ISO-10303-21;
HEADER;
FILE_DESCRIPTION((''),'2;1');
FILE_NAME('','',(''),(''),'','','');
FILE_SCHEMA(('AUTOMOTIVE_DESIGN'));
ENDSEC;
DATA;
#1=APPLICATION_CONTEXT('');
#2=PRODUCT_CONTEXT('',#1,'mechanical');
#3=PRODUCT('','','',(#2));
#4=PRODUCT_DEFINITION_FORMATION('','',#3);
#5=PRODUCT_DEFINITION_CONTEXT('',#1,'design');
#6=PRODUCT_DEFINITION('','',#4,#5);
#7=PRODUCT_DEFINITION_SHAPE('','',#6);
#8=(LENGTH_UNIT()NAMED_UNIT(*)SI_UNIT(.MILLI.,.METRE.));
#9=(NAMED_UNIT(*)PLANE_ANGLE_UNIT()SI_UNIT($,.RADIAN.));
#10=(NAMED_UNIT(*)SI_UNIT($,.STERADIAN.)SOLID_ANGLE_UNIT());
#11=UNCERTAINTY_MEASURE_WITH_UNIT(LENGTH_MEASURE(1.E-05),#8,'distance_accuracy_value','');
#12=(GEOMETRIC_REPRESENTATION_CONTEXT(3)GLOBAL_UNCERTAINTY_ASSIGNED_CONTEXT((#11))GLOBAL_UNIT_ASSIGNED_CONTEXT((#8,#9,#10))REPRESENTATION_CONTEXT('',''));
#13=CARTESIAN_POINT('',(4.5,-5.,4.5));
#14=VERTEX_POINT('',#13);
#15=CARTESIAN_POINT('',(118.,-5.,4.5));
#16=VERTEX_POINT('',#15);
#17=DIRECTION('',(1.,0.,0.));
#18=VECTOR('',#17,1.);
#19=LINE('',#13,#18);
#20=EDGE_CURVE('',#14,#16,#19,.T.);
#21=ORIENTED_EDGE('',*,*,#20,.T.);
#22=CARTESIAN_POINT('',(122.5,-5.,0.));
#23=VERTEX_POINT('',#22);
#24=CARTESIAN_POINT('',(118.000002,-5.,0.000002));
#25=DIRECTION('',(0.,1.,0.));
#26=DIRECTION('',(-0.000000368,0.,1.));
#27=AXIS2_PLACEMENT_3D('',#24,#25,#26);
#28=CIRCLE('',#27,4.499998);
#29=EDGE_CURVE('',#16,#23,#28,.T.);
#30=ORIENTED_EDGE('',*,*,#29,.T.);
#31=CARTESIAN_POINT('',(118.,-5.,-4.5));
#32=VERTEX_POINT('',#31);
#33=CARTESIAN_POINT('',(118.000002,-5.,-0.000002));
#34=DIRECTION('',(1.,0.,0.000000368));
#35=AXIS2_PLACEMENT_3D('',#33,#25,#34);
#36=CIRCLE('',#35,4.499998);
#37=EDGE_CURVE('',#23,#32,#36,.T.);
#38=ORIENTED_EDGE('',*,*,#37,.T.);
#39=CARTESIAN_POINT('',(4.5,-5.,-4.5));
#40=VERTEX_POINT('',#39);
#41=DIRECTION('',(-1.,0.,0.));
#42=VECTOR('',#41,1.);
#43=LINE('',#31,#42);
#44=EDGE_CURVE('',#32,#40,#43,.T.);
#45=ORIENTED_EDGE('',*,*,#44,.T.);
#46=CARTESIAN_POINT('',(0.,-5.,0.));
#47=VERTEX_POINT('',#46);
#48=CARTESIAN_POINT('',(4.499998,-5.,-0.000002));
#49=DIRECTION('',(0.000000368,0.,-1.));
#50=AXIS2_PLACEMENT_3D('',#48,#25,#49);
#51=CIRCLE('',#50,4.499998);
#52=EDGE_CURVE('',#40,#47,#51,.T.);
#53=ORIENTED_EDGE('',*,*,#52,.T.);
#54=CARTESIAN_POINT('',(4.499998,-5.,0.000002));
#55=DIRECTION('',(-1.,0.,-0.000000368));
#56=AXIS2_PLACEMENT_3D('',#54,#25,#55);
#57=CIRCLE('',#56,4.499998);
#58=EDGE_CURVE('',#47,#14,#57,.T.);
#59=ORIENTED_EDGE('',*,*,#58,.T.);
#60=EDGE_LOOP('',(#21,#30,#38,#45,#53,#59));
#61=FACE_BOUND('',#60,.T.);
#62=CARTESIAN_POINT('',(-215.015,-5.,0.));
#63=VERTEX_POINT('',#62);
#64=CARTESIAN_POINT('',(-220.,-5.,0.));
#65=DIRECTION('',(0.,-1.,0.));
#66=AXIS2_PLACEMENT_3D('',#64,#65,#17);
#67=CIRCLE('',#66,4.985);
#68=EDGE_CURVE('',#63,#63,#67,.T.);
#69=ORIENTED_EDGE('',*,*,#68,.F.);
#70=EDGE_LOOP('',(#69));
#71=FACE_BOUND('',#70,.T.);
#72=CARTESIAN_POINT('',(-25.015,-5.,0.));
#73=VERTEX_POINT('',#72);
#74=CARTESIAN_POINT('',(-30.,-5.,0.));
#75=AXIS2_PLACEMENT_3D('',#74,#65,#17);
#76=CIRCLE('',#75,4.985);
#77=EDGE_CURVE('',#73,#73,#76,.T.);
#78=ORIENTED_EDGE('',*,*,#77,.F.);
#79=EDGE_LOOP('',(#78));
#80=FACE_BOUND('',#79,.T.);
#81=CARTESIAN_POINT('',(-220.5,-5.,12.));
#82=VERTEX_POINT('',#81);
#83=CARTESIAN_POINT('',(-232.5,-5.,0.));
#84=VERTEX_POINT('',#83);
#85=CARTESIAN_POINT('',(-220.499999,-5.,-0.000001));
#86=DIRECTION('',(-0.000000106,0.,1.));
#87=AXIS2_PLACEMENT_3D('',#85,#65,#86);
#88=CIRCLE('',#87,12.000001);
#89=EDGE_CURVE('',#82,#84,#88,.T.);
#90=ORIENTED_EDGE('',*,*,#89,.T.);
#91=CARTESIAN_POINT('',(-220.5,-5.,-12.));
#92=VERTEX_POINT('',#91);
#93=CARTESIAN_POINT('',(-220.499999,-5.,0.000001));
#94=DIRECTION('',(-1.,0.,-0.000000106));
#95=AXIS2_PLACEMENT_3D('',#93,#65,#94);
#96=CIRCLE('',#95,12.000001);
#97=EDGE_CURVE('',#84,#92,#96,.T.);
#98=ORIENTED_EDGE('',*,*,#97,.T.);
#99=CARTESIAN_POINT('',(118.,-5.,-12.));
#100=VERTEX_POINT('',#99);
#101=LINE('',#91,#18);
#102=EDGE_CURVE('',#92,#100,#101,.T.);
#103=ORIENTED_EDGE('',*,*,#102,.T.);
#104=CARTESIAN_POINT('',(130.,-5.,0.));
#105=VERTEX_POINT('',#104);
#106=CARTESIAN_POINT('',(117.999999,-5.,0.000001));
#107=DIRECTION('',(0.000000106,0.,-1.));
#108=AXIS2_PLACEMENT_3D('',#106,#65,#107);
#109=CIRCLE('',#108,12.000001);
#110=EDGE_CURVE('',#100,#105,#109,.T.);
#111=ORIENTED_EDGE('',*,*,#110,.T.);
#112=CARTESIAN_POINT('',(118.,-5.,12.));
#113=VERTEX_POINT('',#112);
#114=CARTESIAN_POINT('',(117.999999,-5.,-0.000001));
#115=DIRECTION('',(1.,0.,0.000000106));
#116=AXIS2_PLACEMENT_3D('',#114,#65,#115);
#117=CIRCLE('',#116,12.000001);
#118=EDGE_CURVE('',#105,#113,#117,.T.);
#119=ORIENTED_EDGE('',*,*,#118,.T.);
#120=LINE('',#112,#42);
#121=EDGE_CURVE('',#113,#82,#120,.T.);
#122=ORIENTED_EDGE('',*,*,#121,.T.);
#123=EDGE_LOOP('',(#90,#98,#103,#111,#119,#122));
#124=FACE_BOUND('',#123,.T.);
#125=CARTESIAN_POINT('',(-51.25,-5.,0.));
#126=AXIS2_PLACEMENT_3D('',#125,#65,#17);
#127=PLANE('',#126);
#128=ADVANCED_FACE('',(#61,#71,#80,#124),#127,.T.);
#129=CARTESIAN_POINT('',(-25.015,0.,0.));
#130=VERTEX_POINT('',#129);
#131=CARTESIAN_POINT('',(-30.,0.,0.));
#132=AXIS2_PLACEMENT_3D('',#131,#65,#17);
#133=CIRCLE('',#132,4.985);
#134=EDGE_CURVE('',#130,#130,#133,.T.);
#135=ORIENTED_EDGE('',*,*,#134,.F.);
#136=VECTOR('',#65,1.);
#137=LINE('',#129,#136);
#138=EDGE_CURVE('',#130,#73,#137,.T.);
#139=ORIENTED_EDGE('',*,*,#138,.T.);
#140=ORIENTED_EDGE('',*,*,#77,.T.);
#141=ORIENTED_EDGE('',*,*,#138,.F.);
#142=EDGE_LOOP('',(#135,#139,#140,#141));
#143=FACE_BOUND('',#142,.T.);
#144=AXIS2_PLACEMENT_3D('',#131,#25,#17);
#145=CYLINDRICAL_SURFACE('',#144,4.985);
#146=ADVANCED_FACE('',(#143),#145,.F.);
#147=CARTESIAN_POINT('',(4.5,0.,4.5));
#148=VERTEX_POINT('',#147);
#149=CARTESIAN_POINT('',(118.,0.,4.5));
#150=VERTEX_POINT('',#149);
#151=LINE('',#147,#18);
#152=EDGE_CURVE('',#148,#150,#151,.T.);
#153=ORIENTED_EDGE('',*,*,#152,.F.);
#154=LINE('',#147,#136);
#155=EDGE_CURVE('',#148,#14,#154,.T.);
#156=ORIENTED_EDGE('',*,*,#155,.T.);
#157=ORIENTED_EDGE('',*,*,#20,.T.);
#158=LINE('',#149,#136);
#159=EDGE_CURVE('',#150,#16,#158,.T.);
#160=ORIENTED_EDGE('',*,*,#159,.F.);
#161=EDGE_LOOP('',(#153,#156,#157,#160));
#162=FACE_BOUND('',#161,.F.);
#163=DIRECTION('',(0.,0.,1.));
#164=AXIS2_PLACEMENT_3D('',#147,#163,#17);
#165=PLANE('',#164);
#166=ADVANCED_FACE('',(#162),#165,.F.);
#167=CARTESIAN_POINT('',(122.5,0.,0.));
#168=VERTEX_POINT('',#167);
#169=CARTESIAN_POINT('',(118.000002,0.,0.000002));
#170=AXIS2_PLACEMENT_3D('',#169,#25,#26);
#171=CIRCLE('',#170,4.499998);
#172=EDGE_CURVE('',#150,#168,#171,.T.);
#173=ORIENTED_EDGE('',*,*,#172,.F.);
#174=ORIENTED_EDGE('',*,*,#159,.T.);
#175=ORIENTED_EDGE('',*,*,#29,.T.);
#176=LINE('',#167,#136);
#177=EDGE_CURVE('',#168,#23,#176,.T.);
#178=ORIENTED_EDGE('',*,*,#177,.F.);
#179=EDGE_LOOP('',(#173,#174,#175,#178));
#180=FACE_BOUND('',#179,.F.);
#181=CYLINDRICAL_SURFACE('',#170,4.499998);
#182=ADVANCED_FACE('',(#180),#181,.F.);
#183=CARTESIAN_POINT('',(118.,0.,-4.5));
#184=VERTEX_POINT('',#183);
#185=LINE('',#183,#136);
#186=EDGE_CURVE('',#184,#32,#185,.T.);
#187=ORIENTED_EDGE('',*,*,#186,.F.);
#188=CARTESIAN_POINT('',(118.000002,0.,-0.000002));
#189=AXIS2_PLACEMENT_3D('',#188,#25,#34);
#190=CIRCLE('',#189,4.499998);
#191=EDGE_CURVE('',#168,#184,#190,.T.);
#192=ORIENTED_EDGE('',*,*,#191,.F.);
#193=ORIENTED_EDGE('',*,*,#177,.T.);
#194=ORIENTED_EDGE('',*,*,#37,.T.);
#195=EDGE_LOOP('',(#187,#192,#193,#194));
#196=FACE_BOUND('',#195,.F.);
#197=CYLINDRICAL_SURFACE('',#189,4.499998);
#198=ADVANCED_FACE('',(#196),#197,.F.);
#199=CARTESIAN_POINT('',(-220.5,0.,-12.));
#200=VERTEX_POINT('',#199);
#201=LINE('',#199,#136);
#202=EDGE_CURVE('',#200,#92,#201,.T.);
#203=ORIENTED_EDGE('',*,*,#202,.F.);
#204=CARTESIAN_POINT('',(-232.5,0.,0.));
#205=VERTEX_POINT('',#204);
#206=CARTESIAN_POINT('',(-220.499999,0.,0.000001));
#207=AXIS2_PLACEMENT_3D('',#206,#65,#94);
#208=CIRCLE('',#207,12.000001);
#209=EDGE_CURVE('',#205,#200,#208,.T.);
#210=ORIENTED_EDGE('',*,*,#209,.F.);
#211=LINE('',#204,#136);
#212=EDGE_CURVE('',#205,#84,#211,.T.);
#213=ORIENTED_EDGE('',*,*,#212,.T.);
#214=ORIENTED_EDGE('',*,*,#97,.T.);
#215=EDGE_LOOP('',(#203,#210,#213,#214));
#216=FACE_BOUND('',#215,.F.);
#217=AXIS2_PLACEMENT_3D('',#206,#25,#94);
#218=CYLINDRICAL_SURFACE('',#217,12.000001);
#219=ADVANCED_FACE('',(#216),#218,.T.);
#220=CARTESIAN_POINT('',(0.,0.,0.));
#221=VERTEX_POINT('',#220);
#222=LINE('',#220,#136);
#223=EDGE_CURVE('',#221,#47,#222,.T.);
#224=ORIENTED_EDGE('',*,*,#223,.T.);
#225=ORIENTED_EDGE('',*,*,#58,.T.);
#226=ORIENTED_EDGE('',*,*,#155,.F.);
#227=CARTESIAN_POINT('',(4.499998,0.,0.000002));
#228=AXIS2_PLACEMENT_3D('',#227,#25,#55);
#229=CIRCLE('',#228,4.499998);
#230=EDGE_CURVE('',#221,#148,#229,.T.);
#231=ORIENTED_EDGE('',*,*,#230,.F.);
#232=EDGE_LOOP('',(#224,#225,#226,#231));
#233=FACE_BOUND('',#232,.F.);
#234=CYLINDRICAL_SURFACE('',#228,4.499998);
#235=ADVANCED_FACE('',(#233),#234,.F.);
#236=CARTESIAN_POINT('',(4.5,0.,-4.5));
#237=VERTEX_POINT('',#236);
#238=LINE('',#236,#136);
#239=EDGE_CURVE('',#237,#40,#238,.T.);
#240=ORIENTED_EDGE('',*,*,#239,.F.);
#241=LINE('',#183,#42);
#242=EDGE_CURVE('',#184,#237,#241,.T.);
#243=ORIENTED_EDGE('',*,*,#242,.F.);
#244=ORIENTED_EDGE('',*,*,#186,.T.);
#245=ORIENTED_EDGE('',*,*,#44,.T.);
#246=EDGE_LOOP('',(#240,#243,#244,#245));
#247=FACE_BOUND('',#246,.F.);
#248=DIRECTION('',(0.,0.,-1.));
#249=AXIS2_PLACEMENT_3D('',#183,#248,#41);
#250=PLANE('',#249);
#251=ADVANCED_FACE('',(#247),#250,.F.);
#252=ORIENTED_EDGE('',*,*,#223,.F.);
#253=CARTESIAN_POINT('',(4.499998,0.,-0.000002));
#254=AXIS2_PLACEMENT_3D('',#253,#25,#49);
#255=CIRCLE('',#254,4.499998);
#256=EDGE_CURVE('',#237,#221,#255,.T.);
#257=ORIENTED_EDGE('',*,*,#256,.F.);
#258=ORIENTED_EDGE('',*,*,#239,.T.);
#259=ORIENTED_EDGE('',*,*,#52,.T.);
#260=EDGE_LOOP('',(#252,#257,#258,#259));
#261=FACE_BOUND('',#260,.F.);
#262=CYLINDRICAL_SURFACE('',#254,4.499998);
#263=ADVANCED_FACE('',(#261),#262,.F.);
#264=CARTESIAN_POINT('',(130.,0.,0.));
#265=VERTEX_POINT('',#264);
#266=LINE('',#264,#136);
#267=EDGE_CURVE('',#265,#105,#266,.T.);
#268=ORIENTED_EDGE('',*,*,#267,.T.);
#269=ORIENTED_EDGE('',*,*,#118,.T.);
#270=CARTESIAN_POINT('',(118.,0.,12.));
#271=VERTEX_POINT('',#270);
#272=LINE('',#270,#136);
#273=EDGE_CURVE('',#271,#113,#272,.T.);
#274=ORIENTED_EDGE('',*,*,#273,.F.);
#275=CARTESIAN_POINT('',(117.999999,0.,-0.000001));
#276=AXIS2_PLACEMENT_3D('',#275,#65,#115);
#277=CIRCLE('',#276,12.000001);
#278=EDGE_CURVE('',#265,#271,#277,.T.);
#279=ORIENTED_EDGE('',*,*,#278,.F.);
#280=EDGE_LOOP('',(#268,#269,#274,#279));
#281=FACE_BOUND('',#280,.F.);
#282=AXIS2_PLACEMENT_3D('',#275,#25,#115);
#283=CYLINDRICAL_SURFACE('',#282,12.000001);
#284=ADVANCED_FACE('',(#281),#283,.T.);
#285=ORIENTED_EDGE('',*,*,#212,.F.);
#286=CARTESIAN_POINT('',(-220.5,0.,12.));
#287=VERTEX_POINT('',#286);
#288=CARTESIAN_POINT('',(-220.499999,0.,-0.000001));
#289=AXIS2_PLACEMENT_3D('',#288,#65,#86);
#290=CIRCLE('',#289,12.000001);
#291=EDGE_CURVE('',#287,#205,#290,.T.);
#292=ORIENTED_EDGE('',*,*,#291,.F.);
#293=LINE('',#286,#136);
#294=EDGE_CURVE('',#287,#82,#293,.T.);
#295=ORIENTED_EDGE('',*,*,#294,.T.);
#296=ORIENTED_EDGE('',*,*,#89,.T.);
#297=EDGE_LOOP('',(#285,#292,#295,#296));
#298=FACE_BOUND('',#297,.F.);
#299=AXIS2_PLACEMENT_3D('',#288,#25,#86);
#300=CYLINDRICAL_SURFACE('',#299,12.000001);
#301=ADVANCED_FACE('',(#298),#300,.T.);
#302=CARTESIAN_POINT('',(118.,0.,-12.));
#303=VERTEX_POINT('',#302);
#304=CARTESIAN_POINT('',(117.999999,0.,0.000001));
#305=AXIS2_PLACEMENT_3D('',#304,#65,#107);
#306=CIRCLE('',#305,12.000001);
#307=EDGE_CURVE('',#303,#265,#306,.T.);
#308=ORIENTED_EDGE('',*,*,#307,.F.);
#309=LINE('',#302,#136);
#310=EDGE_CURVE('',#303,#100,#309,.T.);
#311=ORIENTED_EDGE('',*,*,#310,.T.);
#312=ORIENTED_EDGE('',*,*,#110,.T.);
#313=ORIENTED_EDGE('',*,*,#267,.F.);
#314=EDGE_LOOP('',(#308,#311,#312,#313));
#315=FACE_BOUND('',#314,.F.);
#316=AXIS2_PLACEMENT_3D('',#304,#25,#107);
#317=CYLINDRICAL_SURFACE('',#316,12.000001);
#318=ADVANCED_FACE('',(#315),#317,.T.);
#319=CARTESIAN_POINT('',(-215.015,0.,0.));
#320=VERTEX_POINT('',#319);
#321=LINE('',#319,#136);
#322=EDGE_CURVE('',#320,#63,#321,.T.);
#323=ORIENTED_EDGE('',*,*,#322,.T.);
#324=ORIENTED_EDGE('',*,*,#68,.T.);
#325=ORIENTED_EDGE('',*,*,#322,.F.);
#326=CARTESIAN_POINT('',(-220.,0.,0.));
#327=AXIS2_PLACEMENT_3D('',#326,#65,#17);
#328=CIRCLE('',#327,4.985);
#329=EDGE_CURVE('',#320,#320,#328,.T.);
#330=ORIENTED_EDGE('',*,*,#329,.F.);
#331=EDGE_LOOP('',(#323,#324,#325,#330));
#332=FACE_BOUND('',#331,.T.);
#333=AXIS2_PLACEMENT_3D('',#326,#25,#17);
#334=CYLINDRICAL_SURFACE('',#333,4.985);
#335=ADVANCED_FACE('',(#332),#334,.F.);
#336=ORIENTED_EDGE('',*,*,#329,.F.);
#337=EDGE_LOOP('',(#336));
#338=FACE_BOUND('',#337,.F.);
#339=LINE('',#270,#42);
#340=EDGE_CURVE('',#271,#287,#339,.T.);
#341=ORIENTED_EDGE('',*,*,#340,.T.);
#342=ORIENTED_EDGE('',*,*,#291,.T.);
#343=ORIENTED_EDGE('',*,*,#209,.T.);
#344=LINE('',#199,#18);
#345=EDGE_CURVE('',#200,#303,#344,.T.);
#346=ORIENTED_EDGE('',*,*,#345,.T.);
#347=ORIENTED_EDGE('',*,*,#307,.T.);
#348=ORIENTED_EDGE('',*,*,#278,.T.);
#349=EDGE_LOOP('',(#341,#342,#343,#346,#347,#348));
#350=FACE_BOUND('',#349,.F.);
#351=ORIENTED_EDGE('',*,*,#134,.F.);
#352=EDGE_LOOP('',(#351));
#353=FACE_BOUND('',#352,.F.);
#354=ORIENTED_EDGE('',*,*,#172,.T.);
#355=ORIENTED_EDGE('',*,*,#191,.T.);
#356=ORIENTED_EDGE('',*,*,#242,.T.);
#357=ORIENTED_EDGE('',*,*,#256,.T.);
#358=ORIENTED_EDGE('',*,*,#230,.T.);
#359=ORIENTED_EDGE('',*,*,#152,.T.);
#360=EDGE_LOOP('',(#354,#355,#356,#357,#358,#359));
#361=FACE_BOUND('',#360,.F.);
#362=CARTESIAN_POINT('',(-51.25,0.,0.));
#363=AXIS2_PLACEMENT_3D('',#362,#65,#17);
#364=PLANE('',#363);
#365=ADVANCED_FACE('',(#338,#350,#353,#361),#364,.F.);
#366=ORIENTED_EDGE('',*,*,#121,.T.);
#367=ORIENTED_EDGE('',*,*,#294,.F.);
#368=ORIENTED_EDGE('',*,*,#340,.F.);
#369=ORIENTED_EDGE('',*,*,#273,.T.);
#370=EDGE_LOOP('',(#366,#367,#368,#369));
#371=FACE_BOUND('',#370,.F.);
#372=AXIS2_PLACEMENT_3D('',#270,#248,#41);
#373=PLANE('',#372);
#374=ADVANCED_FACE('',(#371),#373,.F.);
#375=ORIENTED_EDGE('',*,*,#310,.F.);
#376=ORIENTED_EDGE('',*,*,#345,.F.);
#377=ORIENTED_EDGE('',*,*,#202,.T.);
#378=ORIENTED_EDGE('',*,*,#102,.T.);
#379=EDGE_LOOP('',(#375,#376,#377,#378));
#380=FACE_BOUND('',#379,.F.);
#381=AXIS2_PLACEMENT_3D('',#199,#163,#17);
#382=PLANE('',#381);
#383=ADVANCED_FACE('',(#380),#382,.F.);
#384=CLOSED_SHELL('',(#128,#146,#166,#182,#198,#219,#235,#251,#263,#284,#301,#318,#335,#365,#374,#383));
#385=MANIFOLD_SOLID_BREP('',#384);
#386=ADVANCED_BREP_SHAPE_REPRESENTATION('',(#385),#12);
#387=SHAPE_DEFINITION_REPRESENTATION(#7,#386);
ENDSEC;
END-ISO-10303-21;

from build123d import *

# Parameters (mm, degrees)
F0_R     = 4.985
F1_DEPTH = 5


with BuildPart() as f1:
    # F0 (on Front) → F1 (new body)
    with BuildSketch(Plane.XZ):
        with BuildLine():
            Line((-220.5, -12), (118, -12))
            ThreePointArc((118, -12), (126.485281, -8.485281), (130, 0))
            ThreePointArc((130, 0), (126.485281, 8.485281), (118, 12))
            Line((118, 12), (-220.5, 12))
            ThreePointArc((-220.5, 12), (-228.985281, 8.485281), (-232.5, 0))
            ThreePointArc((-232.5, 0), (-228.985281, -8.485281), (-220.5, -12))
        make_face()
        with Locations((-220, 0)):
            Circle(F0_R, mode=Mode.SUBTRACT)
        with Locations((-30, 0)):
            Circle(F0_R, mode=Mode.SUBTRACT)
        with BuildLine():
            ThreePointArc((122.5, 0), (121.181981, -3.181981), (118, -4.5))
            Line((118, -4.5), (4.5, -4.5))
            ThreePointArc((4.5, -4.5), (1.318019, -3.181981), (0, 0))
            ThreePointArc((0, 0), (1.318019, 3.181981), (4.5, 4.5))
            Line((4.5, 4.5), (118, 4.5))
            ThreePointArc((118, 4.5), (121.181981, 3.181981), (122.5, 0))
        make_face(mode=Mode.SUBTRACT)
    extrude(amount=F1_DEPTH)


solid = f1.part
